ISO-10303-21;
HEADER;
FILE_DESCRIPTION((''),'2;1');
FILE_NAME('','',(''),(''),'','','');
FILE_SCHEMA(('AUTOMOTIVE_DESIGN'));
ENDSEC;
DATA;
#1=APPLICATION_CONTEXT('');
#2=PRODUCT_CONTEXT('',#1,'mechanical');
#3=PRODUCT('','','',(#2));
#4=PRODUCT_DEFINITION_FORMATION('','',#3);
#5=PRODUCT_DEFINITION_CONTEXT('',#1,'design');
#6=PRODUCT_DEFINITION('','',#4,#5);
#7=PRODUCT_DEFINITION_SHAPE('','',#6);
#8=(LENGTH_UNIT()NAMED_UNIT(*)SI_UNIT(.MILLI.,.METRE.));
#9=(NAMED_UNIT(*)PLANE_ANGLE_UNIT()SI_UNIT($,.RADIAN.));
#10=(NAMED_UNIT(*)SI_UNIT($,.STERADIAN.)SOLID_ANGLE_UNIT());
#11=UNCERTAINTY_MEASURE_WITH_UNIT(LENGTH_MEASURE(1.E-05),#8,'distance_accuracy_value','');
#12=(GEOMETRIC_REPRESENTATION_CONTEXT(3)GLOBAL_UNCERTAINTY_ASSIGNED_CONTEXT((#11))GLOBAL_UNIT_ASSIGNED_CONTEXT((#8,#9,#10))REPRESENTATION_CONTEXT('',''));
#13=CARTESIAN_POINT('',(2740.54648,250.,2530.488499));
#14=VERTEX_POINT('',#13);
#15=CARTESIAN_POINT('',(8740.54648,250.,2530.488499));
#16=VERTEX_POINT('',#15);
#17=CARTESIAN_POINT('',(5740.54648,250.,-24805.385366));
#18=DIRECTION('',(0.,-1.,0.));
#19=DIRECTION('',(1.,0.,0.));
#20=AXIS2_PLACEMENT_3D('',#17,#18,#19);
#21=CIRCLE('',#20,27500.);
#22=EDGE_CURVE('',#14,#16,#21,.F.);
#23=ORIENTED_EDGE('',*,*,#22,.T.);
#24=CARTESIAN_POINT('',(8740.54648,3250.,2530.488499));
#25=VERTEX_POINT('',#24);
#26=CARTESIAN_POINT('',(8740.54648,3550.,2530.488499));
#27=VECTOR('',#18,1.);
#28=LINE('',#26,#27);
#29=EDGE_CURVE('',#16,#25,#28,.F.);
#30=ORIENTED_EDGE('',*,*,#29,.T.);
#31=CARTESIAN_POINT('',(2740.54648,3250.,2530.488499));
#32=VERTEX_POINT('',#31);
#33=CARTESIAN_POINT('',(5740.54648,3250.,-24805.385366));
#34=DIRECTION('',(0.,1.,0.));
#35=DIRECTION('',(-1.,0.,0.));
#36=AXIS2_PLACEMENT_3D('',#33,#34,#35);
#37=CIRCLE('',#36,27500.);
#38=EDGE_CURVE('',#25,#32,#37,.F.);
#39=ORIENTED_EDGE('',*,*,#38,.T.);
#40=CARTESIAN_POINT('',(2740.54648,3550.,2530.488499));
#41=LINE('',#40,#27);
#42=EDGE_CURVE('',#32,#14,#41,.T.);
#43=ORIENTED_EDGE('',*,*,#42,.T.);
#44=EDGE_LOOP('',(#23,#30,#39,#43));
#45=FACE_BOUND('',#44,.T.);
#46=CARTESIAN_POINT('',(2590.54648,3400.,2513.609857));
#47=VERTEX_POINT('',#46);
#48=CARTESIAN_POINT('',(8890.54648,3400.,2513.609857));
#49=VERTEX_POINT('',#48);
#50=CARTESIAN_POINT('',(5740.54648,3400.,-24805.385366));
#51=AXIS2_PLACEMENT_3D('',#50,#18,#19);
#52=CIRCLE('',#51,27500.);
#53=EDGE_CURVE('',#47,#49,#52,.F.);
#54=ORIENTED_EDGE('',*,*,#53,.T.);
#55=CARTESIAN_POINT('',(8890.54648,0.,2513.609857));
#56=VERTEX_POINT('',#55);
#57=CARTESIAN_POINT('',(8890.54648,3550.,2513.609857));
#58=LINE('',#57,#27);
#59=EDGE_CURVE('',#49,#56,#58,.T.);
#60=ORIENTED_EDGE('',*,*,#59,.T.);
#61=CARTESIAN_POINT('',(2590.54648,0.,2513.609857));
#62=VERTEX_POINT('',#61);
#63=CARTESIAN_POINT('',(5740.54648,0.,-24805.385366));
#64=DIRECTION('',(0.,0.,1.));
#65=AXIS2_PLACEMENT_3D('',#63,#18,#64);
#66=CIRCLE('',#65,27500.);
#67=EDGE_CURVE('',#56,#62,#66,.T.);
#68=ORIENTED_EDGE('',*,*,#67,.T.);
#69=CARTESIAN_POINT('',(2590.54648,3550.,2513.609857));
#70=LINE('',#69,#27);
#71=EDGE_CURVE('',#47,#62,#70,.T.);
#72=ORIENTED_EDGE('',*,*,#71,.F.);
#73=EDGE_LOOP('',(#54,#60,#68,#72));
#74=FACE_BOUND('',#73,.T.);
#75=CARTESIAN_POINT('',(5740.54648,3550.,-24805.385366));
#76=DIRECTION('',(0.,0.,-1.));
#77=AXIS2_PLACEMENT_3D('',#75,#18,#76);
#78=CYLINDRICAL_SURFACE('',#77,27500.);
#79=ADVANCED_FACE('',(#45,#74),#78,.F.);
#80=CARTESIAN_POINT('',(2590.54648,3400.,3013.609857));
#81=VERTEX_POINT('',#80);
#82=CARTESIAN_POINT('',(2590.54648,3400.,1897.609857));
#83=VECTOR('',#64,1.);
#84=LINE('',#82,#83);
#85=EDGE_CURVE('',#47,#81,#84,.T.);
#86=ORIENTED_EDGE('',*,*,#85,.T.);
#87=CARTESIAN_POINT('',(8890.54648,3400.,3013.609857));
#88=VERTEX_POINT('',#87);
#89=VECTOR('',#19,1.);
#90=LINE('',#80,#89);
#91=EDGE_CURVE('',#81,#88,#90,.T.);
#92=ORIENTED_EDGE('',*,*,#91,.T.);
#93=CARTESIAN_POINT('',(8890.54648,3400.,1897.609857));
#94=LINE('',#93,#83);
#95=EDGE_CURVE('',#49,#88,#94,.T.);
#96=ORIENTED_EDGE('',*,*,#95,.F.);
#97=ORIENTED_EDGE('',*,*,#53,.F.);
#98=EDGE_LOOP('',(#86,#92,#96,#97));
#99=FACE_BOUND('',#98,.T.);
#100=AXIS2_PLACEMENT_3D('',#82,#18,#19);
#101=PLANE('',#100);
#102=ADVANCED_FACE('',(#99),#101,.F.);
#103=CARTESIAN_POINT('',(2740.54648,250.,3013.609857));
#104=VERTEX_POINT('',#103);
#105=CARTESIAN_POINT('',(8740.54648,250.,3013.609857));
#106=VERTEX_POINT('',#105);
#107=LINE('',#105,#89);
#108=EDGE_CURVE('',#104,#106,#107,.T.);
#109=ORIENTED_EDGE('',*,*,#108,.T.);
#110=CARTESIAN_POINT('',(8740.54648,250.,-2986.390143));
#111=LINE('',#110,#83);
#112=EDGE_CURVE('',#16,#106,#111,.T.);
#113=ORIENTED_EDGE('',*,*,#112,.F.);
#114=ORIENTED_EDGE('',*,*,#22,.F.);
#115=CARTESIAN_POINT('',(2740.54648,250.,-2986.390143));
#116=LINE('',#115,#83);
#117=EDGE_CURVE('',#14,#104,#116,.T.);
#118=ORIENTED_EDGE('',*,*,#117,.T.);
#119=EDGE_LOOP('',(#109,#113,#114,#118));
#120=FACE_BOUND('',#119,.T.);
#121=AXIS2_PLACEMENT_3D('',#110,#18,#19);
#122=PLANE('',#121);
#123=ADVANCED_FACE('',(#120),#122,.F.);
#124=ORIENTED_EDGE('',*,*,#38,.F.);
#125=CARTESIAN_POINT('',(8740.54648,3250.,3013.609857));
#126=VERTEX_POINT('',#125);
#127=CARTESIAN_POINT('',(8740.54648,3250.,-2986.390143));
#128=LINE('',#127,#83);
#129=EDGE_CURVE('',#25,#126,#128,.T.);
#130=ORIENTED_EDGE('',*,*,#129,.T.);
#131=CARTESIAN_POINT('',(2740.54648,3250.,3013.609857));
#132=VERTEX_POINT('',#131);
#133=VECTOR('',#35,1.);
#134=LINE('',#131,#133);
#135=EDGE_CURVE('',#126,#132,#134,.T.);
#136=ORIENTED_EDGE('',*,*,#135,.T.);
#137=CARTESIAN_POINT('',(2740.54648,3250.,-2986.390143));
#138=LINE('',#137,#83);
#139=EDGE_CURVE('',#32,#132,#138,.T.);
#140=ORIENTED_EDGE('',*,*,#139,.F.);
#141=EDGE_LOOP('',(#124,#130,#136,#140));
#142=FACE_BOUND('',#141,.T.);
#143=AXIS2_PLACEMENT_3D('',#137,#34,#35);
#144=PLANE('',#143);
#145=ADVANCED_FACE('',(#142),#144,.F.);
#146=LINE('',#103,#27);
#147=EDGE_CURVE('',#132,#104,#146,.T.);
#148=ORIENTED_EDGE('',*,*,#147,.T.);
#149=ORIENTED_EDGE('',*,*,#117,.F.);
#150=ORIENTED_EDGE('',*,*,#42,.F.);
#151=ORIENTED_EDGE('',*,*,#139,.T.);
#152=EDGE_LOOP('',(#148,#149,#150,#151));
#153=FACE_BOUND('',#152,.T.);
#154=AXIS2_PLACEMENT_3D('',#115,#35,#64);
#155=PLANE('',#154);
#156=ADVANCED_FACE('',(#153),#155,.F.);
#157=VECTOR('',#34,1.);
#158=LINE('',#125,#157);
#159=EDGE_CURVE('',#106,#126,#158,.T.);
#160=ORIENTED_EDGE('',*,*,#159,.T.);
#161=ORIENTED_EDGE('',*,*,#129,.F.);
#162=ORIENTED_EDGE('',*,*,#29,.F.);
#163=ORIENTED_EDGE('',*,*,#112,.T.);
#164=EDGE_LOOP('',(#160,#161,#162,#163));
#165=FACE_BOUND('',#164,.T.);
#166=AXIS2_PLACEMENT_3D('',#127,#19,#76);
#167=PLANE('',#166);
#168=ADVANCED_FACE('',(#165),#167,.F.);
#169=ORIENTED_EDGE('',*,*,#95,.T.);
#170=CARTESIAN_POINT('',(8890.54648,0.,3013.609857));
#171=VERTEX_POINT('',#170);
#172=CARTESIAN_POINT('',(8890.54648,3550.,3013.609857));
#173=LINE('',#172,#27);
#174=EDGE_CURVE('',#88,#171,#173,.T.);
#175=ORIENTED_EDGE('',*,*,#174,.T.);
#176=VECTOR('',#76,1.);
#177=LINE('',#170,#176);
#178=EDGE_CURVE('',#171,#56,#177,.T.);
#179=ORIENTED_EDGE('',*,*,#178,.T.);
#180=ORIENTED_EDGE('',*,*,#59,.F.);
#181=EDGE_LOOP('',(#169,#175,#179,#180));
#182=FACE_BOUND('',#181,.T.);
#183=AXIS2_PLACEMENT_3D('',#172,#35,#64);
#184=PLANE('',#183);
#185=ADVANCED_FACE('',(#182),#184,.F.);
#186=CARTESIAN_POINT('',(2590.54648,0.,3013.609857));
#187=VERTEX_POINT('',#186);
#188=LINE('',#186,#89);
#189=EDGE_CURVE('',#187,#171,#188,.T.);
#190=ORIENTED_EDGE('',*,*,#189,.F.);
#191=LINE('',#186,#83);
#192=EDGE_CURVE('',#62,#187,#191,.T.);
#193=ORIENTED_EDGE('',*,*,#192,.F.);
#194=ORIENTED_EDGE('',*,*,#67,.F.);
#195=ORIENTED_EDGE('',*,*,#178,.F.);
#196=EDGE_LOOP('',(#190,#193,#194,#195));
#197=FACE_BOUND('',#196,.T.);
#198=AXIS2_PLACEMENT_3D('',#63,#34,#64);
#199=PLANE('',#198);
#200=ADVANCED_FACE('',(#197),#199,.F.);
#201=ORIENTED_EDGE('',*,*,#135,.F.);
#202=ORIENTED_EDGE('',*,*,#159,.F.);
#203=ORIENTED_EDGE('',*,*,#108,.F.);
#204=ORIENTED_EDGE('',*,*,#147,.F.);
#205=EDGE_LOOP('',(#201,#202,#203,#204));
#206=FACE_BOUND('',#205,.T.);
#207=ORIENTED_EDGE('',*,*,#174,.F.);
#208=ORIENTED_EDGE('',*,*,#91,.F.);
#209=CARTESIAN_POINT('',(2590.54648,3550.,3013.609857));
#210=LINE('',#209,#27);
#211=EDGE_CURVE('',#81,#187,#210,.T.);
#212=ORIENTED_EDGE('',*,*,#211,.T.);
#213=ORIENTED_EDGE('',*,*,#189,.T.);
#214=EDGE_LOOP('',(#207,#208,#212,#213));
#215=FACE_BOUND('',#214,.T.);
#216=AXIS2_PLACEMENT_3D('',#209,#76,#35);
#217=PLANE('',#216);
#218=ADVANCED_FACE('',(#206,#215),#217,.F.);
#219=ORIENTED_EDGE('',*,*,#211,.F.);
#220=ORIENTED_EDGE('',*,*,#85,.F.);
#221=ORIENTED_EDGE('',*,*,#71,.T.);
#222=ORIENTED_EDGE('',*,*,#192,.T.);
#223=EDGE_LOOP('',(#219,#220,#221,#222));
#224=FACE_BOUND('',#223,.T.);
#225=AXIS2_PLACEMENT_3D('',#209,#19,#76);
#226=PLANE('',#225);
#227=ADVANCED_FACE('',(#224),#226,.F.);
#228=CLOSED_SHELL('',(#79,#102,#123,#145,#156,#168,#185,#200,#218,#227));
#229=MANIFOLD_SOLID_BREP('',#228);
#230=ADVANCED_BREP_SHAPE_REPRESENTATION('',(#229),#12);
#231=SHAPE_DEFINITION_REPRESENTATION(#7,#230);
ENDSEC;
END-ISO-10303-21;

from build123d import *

# Parameters (mm, degrees)
BOSS_EXTRUDE1_DEPTH = 3550
SKETCH3_W           = 6000
SKETCH3_H           = 3000
CUT_EXTRUDE1_DEPTH  = 6000
SKETCH4_W           = 6300
SKETCH4_H           = 155.176049704
CUT_EXTRUDE2_DEPTH  = 1116


with BuildPart() as part:
    # Sketch2 → Boss-Extrude1 (new body)
    with BuildSketch(Plane(origin=(0, 0, 0), x_dir=(1, 0, 0), z_dir=(0, 1, 0))):
        with BuildLine():
            Line((2590.546480495, -3013.609856922), (8890.546480495, -3013.609856922))
            Line((8890.546480495, -3013.609856922), (8890.546480495, -2513.609856922))
            ThreePointArc((8890.546480495, -2513.609856922), (5740.546480495, -2694.614633818), (2590.546480495, -2513.609856922))
            Line((2590.546480495, -2513.609856922), (2590.546480495, -3013.609856922))
        make_face()
    extrude(amount=BOSS_EXTRUDE1_DEPTH)

    # Sketch3 → Cut-Extrude1 (cut)
    with BuildSketch(Plane.XY.offset(3013.609856922)):
        with Locations((5740.546480495, 1750)):
            Rectangle(SKETCH3_W, SKETCH3_H)
    extrude(amount=-CUT_EXTRUDE1_DEPTH, mode=Mode.SUBTRACT)

    # Sketch4 → Cut-Extrude2 (cut)
    with BuildSketch(Plane.XY.offset(3013.609856922)):
        with Locations((5740.546480495, 3477.588024852)):
            Rectangle(SKETCH4_W, SKETCH4_H)
    extrude(amount=-CUT_EXTRUDE2_DEPTH, mode=Mode.SUBTRACT)


solid = part.part
